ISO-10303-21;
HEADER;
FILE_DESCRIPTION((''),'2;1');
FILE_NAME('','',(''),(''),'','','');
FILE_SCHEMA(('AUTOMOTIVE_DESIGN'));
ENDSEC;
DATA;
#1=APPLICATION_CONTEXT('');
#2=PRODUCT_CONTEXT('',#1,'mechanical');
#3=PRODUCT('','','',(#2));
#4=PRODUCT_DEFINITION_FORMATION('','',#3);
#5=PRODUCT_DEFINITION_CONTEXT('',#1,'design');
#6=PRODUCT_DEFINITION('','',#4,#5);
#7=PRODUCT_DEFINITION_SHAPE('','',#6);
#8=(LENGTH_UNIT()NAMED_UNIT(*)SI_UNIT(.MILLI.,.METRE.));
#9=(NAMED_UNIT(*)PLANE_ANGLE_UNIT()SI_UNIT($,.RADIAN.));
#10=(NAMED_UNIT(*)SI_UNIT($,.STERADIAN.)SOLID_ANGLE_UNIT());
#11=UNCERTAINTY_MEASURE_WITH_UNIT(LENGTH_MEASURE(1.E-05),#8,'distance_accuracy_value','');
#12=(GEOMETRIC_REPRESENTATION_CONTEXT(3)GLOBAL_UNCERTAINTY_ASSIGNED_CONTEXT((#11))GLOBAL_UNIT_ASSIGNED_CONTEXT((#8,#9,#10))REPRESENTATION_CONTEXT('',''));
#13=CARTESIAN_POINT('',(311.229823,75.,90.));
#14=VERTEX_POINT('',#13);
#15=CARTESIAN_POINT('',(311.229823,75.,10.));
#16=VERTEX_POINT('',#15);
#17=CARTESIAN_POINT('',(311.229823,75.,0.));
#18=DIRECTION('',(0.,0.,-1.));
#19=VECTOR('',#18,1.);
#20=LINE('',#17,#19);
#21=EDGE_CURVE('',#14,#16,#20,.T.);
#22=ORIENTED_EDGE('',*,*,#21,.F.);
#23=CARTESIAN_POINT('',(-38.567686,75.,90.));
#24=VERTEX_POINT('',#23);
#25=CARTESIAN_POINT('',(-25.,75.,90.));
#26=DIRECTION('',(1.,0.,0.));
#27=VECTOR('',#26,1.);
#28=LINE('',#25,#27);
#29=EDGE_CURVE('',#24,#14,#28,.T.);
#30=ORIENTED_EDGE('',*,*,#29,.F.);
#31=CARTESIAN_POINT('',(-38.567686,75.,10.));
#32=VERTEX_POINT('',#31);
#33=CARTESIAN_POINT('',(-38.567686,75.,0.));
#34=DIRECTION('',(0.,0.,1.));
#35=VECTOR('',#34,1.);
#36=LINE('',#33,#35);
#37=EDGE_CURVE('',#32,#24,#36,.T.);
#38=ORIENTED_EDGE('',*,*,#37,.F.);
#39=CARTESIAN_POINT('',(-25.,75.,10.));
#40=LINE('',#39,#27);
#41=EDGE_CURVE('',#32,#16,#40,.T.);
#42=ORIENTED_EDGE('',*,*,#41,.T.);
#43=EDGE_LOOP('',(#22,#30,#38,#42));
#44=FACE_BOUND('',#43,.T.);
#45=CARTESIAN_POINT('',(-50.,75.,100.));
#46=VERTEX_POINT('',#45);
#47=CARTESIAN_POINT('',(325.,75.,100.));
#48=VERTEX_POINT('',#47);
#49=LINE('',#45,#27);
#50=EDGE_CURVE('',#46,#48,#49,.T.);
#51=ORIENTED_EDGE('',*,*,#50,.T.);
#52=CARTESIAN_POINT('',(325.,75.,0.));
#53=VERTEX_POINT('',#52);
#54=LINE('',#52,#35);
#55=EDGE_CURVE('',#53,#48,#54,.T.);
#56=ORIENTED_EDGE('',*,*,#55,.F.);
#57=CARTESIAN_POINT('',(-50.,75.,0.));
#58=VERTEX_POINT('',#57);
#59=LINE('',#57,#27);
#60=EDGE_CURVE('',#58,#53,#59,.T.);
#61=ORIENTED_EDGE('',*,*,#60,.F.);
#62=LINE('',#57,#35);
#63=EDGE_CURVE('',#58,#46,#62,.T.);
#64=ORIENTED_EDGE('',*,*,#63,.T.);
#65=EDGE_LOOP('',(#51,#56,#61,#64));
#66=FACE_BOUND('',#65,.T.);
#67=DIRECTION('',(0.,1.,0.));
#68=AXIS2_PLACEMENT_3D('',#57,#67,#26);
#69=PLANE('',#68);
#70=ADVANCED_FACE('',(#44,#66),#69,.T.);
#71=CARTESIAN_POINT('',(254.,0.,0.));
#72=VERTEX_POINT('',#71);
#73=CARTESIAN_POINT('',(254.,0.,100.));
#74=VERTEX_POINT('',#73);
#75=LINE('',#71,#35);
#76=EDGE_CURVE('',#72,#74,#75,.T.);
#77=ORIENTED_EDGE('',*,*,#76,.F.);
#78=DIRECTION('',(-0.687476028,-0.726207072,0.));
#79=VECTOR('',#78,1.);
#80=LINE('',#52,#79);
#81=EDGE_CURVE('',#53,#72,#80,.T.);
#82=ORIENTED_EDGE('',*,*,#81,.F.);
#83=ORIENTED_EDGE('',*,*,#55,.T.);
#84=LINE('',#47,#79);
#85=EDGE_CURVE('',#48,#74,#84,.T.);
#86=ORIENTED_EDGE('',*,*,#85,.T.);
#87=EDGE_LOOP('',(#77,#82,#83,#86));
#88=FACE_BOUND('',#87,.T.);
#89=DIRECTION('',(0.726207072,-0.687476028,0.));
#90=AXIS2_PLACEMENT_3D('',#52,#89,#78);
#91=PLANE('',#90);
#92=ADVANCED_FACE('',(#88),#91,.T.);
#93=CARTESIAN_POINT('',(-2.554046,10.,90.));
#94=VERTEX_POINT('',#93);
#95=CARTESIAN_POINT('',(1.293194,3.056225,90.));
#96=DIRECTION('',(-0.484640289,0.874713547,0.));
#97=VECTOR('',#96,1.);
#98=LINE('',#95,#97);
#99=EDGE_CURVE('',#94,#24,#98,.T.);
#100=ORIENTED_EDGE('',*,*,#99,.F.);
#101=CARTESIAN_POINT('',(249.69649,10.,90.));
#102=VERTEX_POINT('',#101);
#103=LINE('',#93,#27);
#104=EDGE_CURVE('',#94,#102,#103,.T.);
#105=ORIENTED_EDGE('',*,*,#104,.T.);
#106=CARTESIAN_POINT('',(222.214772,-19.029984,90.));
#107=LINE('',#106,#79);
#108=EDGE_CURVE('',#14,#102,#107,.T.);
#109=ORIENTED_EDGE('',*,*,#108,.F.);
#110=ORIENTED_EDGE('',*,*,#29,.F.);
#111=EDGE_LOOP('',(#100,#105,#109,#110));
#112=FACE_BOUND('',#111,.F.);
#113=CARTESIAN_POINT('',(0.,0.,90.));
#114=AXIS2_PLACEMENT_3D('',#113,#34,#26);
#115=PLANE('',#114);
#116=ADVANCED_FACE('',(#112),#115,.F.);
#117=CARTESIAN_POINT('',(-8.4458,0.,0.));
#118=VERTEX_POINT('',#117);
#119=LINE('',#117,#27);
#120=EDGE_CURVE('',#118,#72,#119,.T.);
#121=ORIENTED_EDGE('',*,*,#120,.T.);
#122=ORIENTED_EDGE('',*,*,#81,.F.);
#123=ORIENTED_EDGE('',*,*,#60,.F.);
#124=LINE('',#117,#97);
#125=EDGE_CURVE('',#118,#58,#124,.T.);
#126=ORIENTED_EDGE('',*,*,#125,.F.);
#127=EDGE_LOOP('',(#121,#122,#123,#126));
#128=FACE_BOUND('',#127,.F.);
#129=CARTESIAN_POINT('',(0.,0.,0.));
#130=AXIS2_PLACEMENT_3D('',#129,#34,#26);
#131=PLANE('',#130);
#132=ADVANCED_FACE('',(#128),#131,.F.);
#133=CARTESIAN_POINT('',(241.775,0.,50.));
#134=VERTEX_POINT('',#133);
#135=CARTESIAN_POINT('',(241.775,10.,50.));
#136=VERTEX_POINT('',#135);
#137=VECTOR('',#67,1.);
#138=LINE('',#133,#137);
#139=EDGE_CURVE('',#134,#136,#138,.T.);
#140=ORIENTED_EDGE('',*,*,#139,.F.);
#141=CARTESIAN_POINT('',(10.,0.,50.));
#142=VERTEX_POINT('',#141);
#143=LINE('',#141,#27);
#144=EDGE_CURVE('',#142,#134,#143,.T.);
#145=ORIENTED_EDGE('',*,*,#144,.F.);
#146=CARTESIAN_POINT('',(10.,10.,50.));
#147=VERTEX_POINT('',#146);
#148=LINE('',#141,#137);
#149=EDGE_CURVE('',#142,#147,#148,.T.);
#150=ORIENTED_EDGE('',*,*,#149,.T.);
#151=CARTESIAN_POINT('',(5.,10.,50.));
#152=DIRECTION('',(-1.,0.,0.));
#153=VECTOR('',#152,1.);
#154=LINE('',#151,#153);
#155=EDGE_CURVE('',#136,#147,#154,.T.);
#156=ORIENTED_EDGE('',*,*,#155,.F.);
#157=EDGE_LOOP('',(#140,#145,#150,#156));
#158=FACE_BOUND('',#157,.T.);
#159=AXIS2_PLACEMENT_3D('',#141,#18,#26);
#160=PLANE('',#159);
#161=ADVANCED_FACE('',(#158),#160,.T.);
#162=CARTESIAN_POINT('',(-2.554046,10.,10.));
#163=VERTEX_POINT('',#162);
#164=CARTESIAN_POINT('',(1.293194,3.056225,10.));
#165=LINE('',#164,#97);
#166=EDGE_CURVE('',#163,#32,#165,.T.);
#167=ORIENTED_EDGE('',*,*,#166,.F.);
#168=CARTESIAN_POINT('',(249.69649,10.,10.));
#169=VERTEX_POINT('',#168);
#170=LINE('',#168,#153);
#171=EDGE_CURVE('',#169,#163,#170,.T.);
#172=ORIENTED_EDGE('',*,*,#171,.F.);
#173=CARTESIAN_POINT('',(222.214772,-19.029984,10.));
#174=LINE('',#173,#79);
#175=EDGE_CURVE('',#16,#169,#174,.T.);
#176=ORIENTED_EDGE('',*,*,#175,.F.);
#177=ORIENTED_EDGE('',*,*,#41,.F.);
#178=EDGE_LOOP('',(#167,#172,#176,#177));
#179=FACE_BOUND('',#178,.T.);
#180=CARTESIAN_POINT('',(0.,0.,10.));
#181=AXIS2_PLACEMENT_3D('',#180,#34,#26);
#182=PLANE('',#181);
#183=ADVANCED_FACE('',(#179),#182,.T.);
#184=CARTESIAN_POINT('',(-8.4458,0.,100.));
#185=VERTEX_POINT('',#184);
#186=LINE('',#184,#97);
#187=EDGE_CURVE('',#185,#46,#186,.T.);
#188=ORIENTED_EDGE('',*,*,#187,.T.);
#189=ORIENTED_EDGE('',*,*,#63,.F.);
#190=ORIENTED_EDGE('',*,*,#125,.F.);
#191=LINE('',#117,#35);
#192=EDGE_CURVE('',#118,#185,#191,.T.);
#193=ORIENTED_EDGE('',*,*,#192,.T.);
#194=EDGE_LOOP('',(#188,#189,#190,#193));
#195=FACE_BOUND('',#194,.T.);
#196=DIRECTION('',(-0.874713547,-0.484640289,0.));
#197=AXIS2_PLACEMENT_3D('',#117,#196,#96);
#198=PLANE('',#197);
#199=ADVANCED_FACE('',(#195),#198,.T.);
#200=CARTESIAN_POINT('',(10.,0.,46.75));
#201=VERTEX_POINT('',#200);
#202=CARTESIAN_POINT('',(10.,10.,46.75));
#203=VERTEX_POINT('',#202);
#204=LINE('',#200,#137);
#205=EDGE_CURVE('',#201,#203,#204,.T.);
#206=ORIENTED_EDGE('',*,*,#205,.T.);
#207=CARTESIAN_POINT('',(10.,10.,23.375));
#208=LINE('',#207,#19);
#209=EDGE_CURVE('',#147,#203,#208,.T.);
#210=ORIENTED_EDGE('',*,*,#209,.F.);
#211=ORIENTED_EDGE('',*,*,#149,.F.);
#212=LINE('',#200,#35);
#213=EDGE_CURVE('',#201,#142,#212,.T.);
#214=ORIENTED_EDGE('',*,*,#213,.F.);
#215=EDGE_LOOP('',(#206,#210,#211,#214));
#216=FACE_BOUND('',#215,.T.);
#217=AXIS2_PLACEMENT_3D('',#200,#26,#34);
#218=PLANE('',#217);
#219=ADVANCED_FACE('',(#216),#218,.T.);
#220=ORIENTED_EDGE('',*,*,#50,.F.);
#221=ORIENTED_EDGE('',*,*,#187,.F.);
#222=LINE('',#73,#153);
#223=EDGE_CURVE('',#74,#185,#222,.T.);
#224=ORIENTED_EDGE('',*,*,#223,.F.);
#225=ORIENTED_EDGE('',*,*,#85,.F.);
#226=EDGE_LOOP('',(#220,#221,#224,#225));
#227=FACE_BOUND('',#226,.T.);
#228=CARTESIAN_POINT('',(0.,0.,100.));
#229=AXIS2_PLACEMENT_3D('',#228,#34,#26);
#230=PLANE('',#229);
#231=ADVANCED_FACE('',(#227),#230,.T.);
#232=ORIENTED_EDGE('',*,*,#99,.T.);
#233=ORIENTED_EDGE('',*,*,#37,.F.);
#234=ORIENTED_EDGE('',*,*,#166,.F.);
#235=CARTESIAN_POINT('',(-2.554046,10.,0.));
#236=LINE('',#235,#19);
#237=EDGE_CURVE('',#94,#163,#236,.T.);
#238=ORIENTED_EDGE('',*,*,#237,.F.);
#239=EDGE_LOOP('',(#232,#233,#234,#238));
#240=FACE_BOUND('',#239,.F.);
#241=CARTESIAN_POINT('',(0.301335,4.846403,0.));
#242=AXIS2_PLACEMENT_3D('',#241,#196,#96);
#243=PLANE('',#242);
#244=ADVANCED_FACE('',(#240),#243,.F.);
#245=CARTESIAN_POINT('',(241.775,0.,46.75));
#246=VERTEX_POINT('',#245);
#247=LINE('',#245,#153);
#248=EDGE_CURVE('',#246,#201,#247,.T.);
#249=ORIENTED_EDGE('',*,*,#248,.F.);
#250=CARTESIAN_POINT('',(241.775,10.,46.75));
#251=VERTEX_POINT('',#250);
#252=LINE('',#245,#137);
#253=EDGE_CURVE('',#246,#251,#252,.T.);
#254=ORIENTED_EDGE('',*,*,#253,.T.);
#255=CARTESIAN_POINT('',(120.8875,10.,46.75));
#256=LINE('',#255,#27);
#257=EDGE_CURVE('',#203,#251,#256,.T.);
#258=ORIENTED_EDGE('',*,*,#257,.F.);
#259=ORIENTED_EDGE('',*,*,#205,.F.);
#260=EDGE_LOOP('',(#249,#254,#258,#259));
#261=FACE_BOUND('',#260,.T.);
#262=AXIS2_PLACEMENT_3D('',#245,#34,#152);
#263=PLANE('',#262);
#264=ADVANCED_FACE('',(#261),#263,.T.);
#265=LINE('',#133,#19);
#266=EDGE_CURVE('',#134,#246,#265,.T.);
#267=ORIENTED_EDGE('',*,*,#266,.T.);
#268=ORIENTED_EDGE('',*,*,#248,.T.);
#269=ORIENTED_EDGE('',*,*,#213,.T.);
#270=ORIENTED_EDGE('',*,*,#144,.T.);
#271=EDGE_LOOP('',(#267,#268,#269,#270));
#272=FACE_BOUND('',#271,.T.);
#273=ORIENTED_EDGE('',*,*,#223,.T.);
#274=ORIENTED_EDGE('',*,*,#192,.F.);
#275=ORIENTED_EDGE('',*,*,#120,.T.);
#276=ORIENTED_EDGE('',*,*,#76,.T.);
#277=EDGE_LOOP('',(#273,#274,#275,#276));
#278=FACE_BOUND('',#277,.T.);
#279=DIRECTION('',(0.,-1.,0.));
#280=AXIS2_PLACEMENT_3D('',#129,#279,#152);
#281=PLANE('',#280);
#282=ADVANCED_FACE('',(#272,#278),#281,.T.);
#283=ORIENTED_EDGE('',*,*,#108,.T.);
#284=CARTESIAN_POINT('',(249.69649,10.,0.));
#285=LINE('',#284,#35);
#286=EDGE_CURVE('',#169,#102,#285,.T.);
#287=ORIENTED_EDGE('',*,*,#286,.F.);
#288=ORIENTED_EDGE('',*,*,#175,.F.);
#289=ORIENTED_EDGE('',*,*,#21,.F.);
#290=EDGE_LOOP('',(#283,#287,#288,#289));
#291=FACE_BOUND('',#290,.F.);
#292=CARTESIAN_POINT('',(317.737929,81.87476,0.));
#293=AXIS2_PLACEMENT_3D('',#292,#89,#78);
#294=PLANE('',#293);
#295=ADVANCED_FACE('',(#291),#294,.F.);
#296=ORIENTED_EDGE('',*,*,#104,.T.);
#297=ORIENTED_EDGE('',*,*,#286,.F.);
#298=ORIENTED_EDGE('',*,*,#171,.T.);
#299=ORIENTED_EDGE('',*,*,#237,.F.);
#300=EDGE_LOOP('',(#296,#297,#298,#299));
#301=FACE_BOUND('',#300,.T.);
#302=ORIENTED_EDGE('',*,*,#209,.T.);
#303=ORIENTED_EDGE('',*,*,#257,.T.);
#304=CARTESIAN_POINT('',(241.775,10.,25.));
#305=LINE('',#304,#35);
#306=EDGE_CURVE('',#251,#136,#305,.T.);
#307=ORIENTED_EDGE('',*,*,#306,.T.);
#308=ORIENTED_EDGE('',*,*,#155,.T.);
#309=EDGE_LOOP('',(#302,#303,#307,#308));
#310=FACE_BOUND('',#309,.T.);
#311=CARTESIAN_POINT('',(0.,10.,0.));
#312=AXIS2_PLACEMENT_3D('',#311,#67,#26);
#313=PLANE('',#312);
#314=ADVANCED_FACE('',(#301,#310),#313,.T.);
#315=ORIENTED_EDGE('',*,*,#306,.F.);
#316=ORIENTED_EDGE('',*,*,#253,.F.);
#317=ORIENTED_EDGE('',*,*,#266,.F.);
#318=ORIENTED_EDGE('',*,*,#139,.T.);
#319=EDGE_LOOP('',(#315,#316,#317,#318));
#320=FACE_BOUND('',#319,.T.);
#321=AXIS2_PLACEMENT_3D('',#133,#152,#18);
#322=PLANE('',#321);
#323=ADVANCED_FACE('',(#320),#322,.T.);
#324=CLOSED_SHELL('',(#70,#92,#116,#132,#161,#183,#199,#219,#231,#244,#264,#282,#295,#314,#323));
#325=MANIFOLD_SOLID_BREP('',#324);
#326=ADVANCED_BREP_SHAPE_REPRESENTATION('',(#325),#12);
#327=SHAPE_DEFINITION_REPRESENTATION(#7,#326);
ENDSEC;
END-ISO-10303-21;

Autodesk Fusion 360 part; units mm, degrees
sketch "hopper" plane through (0, 0, 0) normal (0, 0, 1) x (1, 0, 0)
  line L0 (0, 0) -> (254, 0)
  line L1 (0, 0) -> (-8.4458, 0)
  line L2 (-8.4458, 0) -> (-50, 75)
  line L3 (-50, 75) -> (325, 75)
  line L4 (325, 75) -> (254, 0)
  dimension "d4" = 375
  dimension "d5" = 61.011
  dimension "d6" = 46.569
  dimension "d7" = 75
  dimension "d19" = 262.4458
extrude "Extrude1" add sketch "hopper" along normal blind 100
shell "Shell1" thickness 10 removed faces 1 at (75, 75, 33.3333)
sketch "tube slot" plane through (0, 0, 0) normal (0, 1, 0) x (1, 0, 0)
  line L0 (10, -50) -> (241.775, -50)
  line L1 (241.775, -50) -> (241.775, -46.75)
  line L2 (241.775, -46.75) -> (10, -46.75)
  line L3 (10, -46.75) -> (10, -50)
  line L4 (-8.4458, -100) -> (254, -100)
  line L5 (254, 0) -> (254, -100)
  dimension "d11" = 231.775
  dimension "d12" = 3.25
  dimension "d15" = 50
  dimension "d16" = 12.225
extrude "Extrude2" cut sketch "tube slot" along normal blind 30
